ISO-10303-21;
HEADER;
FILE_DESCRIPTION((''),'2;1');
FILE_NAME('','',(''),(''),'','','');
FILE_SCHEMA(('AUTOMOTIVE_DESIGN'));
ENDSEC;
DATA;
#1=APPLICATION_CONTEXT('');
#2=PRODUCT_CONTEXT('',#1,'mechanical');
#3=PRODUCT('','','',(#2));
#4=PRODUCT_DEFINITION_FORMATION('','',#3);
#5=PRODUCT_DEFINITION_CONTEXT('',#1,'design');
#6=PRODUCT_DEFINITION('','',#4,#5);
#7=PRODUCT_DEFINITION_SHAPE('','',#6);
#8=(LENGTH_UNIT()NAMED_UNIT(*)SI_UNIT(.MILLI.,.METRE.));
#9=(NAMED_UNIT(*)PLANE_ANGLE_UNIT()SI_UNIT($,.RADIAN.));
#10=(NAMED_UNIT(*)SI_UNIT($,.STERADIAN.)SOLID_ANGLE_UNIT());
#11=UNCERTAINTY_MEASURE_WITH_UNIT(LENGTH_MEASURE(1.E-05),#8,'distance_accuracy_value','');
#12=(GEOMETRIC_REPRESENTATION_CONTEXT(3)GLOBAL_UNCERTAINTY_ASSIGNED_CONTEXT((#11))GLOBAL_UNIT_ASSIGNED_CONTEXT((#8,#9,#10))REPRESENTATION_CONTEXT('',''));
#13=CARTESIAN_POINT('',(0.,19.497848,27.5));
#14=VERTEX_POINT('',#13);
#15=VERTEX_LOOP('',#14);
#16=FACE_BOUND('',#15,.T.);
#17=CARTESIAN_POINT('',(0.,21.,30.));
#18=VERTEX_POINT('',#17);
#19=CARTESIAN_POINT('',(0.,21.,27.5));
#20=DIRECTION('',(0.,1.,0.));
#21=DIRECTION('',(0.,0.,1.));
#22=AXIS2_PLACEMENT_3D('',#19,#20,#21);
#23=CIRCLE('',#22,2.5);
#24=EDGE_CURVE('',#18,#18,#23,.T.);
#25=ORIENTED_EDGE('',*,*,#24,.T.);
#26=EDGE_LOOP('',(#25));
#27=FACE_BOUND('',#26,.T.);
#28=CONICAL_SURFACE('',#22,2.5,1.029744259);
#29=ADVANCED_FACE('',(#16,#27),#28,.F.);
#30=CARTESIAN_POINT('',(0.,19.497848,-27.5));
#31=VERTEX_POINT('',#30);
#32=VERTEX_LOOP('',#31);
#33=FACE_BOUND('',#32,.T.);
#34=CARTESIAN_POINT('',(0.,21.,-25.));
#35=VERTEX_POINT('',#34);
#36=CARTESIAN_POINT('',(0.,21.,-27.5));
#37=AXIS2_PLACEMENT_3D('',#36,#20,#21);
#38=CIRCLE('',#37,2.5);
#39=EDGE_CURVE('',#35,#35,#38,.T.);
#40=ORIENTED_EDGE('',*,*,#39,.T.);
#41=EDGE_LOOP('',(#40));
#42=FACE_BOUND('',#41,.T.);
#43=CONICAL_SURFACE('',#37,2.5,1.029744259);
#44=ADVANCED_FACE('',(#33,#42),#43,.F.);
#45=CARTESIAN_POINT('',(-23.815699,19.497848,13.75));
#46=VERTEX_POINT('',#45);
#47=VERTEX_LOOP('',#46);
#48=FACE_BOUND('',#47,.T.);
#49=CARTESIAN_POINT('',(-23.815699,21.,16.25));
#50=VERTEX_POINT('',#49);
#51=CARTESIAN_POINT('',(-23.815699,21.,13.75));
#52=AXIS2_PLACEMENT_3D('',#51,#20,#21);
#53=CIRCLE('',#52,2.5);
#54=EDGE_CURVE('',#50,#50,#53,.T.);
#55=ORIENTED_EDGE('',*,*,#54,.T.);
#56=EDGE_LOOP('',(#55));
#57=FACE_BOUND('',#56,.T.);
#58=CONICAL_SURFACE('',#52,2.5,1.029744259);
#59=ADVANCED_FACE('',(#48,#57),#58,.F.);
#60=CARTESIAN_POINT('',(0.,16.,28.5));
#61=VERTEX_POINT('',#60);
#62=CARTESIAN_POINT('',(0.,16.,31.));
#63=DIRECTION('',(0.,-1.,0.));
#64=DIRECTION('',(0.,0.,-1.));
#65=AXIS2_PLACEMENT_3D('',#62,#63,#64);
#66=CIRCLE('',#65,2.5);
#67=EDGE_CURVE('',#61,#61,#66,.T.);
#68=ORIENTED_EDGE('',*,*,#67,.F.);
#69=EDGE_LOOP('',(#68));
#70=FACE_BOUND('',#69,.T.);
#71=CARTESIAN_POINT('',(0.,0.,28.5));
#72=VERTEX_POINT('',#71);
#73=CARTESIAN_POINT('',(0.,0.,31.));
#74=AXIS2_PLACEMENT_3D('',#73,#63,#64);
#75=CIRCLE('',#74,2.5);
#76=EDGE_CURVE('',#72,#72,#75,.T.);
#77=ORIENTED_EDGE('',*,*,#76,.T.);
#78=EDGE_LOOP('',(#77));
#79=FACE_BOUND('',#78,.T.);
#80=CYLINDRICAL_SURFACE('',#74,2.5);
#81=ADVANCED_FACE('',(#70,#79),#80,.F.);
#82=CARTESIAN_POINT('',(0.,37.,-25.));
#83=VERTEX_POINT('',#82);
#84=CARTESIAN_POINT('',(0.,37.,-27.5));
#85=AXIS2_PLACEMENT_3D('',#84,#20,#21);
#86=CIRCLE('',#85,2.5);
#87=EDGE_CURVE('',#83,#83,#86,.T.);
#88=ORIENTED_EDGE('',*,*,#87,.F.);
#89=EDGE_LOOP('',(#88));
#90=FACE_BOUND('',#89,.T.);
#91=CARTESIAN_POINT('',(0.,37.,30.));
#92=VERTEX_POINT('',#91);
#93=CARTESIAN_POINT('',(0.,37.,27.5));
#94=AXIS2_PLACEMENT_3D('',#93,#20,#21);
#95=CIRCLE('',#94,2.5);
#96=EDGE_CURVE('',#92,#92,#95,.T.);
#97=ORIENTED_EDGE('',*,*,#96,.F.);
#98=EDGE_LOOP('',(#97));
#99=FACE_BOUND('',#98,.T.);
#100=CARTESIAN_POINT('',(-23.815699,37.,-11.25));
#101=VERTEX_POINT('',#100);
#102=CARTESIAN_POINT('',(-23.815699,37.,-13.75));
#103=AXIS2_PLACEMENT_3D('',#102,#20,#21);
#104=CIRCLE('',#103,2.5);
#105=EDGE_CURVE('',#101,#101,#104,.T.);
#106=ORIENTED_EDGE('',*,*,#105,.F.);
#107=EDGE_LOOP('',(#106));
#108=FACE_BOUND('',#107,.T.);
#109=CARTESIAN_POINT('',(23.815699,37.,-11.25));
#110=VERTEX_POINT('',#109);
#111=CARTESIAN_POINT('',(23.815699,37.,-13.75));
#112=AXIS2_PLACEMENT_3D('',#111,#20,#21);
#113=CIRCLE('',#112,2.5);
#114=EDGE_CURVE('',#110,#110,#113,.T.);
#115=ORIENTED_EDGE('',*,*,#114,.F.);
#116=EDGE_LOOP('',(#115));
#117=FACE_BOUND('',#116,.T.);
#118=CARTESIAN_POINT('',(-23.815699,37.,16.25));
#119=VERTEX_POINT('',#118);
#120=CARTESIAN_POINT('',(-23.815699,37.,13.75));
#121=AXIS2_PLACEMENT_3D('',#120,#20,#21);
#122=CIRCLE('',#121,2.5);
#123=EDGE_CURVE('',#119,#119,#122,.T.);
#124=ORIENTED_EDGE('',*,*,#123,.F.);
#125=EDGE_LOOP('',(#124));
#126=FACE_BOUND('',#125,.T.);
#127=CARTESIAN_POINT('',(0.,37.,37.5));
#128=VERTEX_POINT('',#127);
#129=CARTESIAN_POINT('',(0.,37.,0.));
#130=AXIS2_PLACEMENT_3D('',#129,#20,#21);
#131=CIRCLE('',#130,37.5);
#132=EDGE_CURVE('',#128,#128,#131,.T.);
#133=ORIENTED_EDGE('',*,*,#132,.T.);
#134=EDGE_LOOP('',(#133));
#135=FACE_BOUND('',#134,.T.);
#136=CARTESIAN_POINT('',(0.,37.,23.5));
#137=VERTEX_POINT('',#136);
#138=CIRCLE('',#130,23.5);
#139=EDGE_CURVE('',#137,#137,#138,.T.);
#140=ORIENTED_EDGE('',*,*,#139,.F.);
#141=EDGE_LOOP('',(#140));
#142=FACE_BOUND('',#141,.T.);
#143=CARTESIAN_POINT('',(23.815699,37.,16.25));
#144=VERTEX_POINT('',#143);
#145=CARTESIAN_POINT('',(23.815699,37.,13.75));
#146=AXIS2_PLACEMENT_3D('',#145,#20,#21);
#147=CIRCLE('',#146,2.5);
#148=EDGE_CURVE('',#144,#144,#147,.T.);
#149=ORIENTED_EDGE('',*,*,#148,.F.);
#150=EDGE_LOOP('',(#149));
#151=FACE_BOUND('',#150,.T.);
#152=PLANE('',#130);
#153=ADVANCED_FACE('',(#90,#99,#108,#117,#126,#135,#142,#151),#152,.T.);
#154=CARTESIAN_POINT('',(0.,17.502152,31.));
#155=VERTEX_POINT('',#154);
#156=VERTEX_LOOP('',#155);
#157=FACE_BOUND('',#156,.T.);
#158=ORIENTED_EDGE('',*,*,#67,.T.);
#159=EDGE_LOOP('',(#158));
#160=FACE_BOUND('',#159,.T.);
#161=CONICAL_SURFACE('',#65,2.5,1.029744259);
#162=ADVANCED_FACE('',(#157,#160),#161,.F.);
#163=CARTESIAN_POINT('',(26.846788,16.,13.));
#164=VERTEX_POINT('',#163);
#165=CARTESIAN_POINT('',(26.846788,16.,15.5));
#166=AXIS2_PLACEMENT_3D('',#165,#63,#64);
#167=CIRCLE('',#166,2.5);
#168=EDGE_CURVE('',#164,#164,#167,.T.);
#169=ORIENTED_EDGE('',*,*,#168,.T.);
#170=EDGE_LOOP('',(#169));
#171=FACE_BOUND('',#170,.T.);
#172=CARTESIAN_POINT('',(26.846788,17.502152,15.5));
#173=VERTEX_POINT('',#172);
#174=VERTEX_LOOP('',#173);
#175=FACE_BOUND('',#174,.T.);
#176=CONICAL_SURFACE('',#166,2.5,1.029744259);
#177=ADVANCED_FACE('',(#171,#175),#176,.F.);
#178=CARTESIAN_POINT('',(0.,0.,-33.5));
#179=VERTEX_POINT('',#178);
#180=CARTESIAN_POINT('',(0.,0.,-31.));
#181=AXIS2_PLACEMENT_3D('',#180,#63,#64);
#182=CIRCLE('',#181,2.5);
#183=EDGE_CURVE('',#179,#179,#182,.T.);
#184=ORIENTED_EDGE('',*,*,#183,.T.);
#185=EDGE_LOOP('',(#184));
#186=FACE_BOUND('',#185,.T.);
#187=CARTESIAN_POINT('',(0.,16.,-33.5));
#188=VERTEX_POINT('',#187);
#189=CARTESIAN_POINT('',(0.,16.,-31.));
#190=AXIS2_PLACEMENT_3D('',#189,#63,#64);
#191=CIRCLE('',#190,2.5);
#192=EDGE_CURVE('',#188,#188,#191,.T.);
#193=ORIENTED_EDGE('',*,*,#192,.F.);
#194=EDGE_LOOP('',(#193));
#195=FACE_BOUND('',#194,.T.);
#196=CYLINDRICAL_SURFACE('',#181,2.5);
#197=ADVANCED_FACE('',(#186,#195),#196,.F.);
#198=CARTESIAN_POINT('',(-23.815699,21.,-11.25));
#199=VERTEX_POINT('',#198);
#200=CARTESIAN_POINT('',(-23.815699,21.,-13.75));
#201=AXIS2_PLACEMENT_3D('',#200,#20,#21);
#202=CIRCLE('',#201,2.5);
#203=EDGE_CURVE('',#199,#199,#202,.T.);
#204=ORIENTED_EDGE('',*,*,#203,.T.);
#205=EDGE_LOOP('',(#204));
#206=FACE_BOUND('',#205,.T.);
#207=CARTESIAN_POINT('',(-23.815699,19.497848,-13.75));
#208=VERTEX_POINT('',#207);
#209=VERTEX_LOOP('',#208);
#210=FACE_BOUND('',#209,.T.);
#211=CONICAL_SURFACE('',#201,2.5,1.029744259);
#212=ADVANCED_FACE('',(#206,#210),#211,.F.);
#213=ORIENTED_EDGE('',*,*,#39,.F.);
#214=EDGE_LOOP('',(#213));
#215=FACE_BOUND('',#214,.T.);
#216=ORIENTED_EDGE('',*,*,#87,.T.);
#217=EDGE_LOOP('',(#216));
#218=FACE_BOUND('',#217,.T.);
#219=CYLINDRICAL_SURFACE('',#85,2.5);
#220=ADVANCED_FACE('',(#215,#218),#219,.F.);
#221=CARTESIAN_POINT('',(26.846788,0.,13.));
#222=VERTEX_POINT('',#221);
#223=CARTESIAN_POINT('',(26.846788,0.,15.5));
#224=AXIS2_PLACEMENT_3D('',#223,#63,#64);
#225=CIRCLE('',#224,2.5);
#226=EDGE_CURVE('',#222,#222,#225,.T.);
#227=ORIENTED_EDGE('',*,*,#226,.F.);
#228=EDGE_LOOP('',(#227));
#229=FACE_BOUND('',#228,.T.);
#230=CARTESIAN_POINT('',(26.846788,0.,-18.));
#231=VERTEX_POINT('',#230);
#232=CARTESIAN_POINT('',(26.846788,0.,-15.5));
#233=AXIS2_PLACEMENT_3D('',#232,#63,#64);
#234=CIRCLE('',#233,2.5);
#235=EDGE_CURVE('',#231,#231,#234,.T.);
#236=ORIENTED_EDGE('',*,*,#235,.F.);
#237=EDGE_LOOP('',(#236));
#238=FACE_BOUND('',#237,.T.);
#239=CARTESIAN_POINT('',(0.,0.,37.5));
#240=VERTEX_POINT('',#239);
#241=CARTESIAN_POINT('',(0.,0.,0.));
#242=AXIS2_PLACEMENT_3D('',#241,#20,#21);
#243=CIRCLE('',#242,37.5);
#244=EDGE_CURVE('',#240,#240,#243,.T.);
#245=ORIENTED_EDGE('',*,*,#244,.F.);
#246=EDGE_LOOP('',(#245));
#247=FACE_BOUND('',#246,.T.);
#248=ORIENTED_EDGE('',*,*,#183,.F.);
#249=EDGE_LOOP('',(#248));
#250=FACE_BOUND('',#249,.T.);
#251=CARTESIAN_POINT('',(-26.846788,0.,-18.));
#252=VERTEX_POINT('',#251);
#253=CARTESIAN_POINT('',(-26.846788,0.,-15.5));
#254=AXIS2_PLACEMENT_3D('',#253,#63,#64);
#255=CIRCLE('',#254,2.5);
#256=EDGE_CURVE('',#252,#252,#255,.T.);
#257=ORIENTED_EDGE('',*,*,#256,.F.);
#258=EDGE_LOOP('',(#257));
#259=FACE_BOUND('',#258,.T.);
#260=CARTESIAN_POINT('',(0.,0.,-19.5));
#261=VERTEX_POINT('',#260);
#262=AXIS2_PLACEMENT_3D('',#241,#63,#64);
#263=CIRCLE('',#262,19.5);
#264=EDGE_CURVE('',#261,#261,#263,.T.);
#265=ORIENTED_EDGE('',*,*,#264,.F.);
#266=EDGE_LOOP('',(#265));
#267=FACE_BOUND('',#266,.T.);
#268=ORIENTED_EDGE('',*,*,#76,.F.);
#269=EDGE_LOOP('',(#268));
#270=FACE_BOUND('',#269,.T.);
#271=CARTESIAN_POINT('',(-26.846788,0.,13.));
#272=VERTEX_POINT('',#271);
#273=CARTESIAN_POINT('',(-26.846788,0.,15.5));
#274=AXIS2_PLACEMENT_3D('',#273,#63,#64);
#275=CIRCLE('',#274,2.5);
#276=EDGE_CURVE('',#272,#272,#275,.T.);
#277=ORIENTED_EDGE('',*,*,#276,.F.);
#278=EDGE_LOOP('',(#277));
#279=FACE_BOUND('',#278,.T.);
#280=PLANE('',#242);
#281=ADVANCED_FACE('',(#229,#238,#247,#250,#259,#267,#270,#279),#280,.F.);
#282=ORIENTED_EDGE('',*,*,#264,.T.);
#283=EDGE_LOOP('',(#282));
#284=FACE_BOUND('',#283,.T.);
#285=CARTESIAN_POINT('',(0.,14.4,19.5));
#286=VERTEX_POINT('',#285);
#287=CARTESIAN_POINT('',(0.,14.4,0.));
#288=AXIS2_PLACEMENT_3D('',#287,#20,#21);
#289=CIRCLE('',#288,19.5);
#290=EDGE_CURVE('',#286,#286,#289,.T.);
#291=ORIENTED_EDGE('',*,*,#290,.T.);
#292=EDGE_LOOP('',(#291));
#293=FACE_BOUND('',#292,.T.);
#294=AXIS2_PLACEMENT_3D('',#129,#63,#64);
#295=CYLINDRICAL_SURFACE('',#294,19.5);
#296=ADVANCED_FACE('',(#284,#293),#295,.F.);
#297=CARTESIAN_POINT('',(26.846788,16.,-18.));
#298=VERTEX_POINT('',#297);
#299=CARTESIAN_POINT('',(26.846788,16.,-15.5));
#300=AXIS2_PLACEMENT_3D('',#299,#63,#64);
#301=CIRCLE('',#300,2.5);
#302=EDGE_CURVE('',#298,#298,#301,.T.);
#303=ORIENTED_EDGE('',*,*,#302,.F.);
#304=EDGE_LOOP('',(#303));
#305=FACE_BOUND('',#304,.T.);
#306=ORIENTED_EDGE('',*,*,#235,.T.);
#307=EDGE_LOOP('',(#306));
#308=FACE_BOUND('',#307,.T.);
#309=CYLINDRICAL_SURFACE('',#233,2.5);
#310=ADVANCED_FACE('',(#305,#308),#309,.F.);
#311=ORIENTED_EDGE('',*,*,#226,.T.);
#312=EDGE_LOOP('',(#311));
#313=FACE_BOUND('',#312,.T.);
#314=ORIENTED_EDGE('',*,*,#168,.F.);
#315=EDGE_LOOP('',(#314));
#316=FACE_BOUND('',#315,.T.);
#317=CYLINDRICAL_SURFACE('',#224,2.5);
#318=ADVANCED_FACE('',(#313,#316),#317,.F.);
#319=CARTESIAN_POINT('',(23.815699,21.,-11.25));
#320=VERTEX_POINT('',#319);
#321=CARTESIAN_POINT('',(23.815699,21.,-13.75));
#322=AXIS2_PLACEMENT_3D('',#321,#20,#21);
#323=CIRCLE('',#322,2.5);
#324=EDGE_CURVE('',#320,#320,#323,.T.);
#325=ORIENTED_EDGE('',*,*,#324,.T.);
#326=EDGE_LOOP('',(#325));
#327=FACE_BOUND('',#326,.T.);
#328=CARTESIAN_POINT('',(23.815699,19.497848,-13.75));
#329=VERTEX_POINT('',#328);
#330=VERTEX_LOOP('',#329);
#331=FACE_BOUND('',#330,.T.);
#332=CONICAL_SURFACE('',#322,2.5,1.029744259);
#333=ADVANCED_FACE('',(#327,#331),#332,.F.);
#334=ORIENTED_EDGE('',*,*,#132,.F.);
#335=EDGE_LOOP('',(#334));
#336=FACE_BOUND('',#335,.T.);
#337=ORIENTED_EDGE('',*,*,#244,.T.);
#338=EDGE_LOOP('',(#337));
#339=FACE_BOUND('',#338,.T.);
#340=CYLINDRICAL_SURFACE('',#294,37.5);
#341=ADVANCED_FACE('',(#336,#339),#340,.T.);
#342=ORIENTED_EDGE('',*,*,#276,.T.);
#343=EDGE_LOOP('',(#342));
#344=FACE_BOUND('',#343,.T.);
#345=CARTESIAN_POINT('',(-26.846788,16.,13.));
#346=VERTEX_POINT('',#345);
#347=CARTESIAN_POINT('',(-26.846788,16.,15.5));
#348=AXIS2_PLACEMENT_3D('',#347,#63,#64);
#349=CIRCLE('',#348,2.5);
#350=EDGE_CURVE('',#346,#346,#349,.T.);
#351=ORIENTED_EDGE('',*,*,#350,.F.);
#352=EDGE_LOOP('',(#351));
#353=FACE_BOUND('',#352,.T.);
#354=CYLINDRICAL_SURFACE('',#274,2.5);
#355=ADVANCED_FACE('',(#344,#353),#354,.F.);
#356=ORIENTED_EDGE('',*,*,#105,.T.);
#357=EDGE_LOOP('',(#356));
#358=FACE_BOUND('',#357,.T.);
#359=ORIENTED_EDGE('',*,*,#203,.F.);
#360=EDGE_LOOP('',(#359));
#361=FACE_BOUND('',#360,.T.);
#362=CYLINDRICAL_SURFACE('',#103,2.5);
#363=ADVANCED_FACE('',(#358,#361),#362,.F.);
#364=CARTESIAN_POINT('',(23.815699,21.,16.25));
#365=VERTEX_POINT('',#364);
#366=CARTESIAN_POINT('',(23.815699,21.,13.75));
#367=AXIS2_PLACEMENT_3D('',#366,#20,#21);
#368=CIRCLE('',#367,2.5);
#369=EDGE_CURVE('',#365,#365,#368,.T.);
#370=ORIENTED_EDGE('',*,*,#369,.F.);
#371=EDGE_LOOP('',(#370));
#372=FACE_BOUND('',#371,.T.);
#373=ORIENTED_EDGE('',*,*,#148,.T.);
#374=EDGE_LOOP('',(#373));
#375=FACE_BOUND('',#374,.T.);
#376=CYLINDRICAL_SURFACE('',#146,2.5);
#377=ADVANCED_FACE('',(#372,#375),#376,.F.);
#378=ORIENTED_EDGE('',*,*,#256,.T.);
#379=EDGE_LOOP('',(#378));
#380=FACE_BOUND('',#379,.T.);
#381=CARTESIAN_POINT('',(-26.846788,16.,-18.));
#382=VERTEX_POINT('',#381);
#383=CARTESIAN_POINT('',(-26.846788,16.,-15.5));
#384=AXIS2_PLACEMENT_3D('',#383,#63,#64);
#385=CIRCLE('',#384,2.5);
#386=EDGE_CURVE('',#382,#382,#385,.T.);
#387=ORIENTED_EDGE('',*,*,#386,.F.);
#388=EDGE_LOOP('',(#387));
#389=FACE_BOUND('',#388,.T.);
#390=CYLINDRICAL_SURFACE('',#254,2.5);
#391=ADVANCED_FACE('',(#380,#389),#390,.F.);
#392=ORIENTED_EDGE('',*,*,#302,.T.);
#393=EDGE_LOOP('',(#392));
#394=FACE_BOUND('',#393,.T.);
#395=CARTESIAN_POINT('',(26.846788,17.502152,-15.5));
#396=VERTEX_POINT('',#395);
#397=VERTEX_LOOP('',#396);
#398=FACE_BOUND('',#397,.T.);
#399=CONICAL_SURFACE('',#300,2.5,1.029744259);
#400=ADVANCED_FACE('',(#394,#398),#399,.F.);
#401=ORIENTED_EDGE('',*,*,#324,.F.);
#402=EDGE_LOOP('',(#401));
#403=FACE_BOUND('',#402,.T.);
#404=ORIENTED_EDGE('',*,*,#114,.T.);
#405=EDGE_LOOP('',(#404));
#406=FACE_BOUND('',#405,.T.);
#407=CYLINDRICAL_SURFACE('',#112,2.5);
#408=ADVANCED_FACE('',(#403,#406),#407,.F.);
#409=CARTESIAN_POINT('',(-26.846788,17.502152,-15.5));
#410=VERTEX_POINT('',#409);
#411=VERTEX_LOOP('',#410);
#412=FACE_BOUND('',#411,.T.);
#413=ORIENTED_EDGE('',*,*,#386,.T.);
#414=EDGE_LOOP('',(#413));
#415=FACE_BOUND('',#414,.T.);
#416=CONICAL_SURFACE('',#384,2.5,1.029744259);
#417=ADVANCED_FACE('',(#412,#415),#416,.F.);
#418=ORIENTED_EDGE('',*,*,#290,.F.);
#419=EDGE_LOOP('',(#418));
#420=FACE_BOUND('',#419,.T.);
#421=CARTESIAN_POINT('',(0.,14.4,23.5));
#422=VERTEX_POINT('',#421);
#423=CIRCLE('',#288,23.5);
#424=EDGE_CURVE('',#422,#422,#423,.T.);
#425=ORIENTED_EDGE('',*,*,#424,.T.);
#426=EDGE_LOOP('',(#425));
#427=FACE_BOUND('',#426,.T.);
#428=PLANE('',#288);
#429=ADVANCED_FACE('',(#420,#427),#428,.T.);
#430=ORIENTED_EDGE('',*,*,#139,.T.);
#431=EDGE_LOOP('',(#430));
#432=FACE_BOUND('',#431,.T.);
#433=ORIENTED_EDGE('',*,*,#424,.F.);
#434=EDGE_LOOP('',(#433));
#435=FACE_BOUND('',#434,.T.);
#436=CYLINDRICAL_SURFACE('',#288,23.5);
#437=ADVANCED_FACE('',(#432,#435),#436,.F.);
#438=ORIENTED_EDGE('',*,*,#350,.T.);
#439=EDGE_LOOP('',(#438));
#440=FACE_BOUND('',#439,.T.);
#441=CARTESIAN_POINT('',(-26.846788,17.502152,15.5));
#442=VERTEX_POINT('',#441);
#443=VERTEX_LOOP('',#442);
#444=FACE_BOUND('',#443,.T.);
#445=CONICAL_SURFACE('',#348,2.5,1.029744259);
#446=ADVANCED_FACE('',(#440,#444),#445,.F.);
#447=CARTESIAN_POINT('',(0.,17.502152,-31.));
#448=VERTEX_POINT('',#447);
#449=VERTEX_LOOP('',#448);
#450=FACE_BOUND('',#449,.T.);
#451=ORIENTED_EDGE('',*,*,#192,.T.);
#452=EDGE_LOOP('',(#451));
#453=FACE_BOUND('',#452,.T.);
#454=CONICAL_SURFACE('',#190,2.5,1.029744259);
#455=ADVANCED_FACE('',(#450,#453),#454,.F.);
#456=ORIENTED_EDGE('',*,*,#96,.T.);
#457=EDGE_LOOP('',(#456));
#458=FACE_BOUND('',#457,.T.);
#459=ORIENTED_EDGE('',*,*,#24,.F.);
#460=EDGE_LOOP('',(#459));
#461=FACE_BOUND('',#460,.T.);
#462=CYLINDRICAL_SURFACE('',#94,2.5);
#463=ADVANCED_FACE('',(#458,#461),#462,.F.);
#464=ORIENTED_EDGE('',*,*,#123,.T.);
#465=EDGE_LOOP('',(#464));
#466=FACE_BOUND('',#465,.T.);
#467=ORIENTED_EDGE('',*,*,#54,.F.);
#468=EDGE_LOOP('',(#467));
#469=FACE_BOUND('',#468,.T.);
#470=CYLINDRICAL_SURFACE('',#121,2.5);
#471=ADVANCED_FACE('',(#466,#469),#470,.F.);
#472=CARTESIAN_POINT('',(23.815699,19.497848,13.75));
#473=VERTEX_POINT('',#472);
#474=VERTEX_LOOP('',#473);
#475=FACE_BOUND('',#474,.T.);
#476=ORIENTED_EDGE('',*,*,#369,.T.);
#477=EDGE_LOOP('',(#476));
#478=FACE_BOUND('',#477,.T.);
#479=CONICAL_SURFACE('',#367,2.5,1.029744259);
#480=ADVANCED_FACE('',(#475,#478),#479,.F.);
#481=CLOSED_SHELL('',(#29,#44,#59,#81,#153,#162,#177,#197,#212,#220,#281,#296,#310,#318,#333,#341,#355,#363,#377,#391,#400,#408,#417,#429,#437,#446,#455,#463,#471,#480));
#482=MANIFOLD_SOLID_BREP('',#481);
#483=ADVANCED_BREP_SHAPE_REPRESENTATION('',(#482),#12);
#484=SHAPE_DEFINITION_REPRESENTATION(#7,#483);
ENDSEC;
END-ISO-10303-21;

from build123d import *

# Parameters (mm, degrees)
SKETCH1_R                       = 37.5
BOSS_EXTRUDE1_DEPTH             = 37
SKETCH2_R                       = 23.5
CUT_EXTRUDE1_DEPTH              = 22.6
SKETCH3_R                       = 19.5
CUT_EXTRUDE2_DEPTH              = 38
M6X1_0_TAPPED_HOLE1_D           = 5
M6X1_0_TAPPED_HOLE1_DEPTH       = 16
M6X1_0_TAPPED_HOLE1_TIP         = 1.502151548
TAP_DRILL_FOR_M6X1_0_TAP1_D     = 5
TAP_DRILL_FOR_M6X1_0_TAP1_DEPTH = 16
TAP_DRILL_FOR_M6X1_0_TAP1_TIP   = 1.502151548


with BuildPart() as part:
    # Sketch1 → Boss-Extrude1 (new body)
    with BuildSketch(Plane(origin=(0, 0, 0), x_dir=(1, 0, 0), z_dir=(0, 1, 0))):
        Circle(SKETCH1_R)
    extrude(amount=BOSS_EXTRUDE1_DEPTH)

    # Sketch2 → Cut-Extrude1 (cut)
    with BuildSketch(Plane(origin=(0, 37, 0), x_dir=(1, 0, 0), z_dir=(0, 1, 0))):
        Circle(SKETCH2_R)
    extrude(amount=-CUT_EXTRUDE1_DEPTH, mode=Mode.SUBTRACT)

    # Sketch3 → Cut-Extrude2 (cut, through all)
    with BuildSketch(Plane.XZ):
        Circle(SKETCH3_R)
    extrude(amount=-CUT_EXTRUDE2_DEPTH, mode=Mode.SUBTRACT)

    # M6x1.0 Tapped Hole1
    with Locations(Plane(origin=(0, 0, 31), x_dir=(0, 0, -1), z_dir=(0, -1, 0))):
        with Locations((0, 0), (15.5, 26.846787517), (46.5, 26.846787517), (62, 0), (46.5, -26.846787517), (15.5, -26.846787517)):
            Hole(M6X1_0_TAPPED_HOLE1_D / 2, depth=M6X1_0_TAPPED_HOLE1_DEPTH)
            with Locations((0, 0, -(M6X1_0_TAPPED_HOLE1_DEPTH + M6X1_0_TAPPED_HOLE1_TIP / 2))):  # 118° drill point
                Cone(0, M6X1_0_TAPPED_HOLE1_D / 2, M6X1_0_TAPPED_HOLE1_TIP, mode=Mode.SUBTRACT)

    # Tap Drill for M6x1.0 Tap1
    with Locations(Plane(origin=(0, 37, -27.5), x_dir=(0, 0, 1), z_dir=(0, 1, 0))):
        with Locations((0, 0), (13.75, 23.815698604), (41.25, 23.815698604), (55, 0), (41.25, -23.815698604), (13.75, -23.815698604)):
            Hole(TAP_DRILL_FOR_M6X1_0_TAP1_D / 2, depth=TAP_DRILL_FOR_M6X1_0_TAP1_DEPTH)
            with Locations((0, 0, -(TAP_DRILL_FOR_M6X1_0_TAP1_DEPTH + TAP_DRILL_FOR_M6X1_0_TAP1_TIP / 2))):  # 118° drill point
                Cone(0, TAP_DRILL_FOR_M6X1_0_TAP1_D / 2, TAP_DRILL_FOR_M6X1_0_TAP1_TIP, mode=Mode.SUBTRACT)


solid = part.part
